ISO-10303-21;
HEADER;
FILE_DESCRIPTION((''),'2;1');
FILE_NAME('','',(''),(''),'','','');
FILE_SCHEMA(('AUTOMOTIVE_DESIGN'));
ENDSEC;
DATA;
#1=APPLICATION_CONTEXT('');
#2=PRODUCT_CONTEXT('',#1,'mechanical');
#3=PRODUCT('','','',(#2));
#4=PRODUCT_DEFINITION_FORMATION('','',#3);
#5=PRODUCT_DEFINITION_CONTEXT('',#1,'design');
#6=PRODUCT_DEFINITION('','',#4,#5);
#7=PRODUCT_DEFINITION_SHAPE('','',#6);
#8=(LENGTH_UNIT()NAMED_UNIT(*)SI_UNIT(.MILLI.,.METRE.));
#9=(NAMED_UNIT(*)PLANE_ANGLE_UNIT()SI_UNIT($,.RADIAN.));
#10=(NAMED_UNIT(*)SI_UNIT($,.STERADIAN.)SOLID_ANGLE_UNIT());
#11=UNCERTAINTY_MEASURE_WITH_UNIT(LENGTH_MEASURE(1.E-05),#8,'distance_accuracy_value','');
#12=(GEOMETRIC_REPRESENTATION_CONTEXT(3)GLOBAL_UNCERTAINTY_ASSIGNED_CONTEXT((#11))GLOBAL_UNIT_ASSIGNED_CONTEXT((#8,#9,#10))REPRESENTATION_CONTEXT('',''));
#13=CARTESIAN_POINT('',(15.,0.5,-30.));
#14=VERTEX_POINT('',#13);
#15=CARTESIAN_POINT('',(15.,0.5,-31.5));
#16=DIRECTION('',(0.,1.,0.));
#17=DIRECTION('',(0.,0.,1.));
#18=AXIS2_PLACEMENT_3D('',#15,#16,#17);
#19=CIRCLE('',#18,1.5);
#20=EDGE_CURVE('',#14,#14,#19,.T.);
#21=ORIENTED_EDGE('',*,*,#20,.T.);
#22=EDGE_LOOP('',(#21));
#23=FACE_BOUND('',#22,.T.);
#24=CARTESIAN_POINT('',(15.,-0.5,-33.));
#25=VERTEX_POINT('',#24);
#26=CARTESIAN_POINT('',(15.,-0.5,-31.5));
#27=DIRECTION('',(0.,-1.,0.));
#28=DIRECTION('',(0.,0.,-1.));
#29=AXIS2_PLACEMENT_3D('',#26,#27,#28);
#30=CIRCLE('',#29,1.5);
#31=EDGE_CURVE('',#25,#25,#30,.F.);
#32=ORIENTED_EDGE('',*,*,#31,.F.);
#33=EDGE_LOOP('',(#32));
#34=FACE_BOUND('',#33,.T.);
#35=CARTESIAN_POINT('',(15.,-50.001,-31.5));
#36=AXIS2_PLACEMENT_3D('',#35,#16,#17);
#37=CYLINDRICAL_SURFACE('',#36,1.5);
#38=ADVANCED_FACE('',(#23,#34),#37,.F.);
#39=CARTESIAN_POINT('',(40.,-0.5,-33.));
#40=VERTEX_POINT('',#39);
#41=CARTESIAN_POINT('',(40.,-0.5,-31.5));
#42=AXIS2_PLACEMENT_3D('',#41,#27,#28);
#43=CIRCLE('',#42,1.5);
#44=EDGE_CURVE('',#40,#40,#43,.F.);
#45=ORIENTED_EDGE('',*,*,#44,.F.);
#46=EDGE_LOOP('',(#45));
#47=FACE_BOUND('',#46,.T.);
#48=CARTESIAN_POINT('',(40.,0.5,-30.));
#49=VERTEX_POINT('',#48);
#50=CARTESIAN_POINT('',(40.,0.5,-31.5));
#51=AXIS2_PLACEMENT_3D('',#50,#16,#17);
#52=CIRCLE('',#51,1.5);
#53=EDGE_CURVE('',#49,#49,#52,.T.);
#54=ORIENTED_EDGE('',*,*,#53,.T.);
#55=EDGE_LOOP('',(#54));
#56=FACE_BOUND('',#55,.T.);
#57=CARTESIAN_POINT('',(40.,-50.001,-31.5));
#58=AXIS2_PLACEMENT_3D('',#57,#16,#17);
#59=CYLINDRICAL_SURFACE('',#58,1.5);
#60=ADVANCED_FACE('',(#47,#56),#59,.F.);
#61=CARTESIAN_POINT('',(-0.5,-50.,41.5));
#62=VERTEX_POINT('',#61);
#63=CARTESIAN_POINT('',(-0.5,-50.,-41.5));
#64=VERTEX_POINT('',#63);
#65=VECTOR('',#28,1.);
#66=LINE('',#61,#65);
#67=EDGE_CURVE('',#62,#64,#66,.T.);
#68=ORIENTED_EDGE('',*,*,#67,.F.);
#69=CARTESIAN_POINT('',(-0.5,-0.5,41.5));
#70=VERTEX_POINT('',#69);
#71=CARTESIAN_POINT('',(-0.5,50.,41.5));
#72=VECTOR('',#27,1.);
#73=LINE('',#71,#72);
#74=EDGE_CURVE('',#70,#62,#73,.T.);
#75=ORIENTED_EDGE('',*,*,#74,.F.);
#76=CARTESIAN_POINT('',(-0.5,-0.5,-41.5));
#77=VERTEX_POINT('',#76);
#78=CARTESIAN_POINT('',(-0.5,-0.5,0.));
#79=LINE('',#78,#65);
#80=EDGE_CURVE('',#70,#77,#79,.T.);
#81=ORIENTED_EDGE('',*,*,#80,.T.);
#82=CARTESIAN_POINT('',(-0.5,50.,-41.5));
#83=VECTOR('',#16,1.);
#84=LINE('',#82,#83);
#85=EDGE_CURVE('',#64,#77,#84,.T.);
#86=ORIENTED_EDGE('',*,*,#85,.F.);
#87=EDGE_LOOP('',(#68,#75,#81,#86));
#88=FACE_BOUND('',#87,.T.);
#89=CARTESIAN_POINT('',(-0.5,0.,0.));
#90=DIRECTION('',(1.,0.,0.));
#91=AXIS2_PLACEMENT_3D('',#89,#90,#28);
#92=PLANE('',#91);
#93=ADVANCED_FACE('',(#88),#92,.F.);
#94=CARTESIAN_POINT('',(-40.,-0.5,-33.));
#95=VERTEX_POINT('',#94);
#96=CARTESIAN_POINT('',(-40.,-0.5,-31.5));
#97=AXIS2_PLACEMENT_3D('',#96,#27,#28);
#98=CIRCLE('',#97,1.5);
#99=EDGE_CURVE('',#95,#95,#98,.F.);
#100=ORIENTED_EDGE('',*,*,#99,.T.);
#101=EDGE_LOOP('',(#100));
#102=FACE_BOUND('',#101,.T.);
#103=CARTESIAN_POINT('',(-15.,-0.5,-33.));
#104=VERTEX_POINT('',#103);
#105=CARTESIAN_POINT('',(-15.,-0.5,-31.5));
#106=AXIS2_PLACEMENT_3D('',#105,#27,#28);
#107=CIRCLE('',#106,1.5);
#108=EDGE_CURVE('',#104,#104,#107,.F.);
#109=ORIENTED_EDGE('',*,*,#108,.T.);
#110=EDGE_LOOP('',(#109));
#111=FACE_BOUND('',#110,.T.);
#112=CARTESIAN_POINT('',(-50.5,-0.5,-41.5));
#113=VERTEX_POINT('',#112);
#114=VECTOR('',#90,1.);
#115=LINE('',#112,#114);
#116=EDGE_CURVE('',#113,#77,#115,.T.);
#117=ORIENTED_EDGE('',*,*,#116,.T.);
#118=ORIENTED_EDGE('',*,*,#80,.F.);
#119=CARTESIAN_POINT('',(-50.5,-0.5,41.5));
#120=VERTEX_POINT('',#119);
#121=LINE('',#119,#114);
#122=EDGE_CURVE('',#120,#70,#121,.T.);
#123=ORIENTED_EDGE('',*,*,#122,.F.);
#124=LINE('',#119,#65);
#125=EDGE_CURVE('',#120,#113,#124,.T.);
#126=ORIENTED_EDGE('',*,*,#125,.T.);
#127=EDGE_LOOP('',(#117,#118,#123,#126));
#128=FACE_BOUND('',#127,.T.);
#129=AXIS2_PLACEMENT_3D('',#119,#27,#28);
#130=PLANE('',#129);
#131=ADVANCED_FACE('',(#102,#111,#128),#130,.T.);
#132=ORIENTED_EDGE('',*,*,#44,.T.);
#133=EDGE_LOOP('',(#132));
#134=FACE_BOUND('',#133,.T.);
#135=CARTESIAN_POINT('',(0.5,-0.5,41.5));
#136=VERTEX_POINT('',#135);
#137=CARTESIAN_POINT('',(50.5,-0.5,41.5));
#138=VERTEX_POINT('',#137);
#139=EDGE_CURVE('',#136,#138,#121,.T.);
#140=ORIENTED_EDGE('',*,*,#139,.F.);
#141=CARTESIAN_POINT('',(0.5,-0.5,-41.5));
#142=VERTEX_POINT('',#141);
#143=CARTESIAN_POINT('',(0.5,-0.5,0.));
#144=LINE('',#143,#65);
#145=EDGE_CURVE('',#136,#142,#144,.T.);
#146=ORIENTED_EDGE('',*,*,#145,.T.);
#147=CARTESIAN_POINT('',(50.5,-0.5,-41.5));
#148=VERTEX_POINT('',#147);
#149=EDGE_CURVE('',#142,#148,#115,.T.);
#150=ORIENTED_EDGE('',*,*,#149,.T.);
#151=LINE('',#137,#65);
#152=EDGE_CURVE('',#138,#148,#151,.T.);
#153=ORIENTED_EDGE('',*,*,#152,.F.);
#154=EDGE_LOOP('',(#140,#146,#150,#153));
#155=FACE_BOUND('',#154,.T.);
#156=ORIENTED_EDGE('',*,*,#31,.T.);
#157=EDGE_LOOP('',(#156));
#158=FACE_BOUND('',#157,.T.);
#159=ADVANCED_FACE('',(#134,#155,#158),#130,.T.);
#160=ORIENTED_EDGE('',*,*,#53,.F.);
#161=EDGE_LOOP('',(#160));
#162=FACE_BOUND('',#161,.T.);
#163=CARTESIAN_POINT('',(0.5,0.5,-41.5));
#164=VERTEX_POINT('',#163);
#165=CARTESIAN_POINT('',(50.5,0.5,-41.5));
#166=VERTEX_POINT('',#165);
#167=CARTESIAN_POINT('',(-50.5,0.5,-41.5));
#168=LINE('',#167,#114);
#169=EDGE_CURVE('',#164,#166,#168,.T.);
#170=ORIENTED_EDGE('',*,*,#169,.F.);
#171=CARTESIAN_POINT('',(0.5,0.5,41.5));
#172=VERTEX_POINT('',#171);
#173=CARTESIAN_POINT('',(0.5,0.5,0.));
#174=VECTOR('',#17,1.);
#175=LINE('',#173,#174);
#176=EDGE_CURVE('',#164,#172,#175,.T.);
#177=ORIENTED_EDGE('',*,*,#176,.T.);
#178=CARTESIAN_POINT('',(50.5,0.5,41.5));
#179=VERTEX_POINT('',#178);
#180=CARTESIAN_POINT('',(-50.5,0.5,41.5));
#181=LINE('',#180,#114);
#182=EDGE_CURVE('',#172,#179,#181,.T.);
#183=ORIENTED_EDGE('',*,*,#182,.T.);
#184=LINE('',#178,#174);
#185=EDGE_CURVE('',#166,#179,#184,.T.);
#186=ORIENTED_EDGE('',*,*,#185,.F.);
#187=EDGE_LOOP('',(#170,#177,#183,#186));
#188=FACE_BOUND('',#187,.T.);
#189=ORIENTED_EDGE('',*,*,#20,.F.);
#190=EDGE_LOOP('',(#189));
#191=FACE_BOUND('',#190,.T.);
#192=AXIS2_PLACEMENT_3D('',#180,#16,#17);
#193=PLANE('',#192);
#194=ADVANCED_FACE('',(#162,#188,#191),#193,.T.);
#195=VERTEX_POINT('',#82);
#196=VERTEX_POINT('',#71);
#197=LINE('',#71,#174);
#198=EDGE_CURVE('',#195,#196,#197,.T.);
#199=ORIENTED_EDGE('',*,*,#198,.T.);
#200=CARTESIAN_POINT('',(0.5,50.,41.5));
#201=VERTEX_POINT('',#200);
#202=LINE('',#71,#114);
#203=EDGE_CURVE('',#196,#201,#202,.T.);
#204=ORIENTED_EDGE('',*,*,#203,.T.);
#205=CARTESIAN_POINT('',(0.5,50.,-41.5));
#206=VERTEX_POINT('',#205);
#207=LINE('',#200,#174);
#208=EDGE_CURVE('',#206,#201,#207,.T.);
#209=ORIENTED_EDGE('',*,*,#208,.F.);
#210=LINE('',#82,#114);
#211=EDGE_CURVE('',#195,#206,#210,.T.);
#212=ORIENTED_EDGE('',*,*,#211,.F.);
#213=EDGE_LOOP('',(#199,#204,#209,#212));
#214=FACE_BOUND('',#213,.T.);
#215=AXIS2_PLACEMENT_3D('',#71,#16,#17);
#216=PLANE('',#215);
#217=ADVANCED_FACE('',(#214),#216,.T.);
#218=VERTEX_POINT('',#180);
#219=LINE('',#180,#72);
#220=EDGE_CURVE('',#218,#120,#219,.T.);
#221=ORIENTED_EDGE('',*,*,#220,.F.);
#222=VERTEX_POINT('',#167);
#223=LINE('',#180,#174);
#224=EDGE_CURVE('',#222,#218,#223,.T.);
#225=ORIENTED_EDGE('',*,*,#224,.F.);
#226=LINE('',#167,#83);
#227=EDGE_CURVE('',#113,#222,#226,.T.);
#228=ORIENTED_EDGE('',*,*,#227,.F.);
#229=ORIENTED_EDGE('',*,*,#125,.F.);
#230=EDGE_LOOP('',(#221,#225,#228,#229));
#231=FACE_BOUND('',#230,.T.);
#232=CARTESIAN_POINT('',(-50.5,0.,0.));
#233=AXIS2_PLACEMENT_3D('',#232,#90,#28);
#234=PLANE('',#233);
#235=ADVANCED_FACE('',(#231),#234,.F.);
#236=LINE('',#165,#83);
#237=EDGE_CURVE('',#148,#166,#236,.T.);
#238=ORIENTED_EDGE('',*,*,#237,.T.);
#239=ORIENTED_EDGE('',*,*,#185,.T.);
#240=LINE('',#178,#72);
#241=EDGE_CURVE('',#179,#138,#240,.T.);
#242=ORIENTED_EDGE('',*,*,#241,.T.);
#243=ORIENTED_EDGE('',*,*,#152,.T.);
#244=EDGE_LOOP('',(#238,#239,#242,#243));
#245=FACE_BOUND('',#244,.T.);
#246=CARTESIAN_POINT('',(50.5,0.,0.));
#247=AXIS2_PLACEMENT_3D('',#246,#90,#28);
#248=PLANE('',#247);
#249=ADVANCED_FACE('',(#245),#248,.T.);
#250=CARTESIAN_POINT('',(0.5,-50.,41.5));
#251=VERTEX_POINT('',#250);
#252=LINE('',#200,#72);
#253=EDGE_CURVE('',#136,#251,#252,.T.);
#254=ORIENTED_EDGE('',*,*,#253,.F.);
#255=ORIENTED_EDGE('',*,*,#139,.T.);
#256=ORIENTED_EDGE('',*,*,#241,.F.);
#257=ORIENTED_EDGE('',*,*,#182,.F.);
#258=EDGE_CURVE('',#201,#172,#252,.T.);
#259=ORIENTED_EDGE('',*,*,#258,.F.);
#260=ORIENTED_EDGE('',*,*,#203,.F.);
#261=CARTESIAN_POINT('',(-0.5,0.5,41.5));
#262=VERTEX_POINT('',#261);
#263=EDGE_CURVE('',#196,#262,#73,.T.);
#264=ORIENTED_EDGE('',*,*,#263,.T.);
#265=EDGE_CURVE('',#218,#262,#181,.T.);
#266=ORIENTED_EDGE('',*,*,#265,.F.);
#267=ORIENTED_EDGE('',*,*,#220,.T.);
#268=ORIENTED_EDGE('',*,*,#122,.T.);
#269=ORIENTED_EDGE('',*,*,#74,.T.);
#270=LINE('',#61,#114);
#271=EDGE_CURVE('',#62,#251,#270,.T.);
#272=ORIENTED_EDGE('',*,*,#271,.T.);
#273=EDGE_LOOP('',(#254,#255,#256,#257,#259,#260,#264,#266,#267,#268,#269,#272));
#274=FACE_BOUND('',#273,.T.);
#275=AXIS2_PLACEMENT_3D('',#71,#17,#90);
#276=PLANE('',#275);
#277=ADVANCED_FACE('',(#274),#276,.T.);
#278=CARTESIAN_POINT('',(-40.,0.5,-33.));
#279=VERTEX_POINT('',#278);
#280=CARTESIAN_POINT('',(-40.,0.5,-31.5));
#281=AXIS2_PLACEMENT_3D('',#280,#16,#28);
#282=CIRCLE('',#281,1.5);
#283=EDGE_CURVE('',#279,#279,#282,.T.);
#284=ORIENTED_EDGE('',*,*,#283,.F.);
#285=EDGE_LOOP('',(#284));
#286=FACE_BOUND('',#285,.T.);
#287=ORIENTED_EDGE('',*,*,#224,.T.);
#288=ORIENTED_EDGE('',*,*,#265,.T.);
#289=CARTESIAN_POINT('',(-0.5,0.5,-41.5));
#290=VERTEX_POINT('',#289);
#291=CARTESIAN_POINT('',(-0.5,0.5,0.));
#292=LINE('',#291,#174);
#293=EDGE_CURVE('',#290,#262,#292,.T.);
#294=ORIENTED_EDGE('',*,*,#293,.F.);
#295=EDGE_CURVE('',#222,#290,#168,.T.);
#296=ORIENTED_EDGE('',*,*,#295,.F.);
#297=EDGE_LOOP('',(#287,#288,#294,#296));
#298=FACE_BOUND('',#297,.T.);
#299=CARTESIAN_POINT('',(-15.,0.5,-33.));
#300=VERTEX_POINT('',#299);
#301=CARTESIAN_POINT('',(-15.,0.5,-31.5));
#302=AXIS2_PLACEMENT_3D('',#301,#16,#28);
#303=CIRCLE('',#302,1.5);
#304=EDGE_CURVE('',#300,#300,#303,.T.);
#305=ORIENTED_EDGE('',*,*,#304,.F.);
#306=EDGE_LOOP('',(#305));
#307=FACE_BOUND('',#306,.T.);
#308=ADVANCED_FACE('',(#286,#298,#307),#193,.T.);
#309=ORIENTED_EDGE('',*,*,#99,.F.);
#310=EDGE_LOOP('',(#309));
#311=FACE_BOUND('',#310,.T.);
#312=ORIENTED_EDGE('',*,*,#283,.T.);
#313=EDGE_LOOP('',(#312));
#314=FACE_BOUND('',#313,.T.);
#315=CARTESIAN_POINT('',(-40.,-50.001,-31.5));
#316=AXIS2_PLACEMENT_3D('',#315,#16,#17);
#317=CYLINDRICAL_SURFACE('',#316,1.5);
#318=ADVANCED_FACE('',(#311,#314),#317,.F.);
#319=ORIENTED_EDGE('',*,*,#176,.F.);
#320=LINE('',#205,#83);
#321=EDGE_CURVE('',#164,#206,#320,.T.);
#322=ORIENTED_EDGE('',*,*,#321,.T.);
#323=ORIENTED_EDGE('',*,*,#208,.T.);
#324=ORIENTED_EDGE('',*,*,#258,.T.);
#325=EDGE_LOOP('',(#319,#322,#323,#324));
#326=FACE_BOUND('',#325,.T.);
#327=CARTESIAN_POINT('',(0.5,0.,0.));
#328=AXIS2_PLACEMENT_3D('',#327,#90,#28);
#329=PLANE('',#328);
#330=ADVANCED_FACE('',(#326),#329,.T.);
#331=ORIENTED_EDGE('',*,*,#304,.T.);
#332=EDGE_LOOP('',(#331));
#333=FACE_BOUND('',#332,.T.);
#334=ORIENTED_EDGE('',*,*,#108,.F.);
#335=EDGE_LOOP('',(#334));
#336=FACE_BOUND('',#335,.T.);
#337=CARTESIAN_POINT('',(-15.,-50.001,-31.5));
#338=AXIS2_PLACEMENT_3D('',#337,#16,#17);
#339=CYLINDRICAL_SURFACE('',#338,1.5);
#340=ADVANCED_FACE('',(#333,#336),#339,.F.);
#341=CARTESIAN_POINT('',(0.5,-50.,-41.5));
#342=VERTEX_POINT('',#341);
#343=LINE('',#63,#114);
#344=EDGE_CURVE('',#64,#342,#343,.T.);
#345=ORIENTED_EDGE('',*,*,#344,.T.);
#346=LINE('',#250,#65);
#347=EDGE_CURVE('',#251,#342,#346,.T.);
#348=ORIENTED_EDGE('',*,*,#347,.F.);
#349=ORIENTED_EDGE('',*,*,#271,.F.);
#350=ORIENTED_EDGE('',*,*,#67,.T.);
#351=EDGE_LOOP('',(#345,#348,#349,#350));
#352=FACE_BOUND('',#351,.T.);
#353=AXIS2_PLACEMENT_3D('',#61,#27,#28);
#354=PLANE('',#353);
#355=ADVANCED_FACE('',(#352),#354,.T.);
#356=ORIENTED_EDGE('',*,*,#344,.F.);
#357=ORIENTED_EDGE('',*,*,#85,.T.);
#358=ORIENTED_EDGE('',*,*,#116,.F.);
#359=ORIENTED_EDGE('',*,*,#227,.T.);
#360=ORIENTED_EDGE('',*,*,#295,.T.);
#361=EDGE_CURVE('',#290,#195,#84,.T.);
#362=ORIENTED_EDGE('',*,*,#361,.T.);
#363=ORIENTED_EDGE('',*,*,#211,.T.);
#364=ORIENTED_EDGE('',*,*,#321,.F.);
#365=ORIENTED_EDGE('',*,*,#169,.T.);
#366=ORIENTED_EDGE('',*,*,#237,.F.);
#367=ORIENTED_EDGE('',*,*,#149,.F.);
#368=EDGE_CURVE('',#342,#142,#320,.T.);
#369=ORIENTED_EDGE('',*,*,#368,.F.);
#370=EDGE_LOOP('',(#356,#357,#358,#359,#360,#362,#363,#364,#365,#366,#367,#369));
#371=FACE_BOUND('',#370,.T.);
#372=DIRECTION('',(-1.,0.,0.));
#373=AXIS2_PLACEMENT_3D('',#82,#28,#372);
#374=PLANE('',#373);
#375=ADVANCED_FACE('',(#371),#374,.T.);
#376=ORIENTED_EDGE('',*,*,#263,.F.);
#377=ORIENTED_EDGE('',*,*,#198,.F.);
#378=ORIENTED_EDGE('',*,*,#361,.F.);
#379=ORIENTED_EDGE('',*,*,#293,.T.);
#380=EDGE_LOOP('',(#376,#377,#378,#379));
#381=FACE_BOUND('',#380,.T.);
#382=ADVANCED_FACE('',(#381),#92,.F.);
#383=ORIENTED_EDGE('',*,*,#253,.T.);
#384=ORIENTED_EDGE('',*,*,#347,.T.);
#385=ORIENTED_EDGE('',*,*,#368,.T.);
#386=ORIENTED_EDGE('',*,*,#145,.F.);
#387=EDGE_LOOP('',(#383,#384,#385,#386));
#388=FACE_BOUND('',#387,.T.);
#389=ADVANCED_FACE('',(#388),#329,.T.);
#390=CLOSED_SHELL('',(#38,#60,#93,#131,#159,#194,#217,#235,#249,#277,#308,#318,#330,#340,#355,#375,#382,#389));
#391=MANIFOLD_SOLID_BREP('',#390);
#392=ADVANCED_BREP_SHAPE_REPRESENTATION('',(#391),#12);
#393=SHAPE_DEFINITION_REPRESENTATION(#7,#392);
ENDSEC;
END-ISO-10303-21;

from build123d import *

# Parameters (mm, degrees)
BOSS_EXTRUDE1_DEPTH      = 0.5
BOSS_EXTRUDE1_DEPTH_BACK = 0.5
SKETCH1_W                = 83
SKETCH1_H                = 100
BOSS_EXTRUDE2_DEPTH      = 50
BOSS_EXTRUDE2_DEPTH_BACK = 51
SKETCH2_W                = 83
SKETCH2_H                = 1
CUT_EXTRUDE1_REACH       = 84.6
SKETCH3_R                = 1.5


with BuildPart() as part:
    # Sketch1 → Boss-Extrude1 (new, two sides: drawn at the far end of the back side and taken through both)
    with BuildSketch(Plane(origin=(0, 0, 0), x_dir=(0, 0, -1), z_dir=(1, 0, 0)).offset(-BOSS_EXTRUDE1_DEPTH_BACK)):
        Rectangle(SKETCH1_W, SKETCH1_H)
    extrude(amount=BOSS_EXTRUDE1_DEPTH + BOSS_EXTRUDE1_DEPTH_BACK)

    # Sketch2 → Boss-Extrude2 (add, two sides: drawn at the far end of the back side and taken through both)
    with BuildSketch(Plane(origin=(0.5, 0, 0), x_dir=(0, 0, -1), z_dir=(1, 0, 0)).offset(-BOSS_EXTRUDE2_DEPTH_BACK)):
        Rectangle(SKETCH2_W, SKETCH2_H)
    extrude(amount=BOSS_EXTRUDE2_DEPTH + BOSS_EXTRUDE2_DEPTH_BACK)

    # Sketch3 → Cut-Extrude1 (cut, up to next)
    with BuildSketch(Plane(origin=(0, 0.5, 0), x_dir=(1, 0, 0), z_dir=(0, 1, 0)), mode=Mode.PRIVATE) as cut_extrude1_sk1:
        with Locations((15, 31.5)):
            Circle(SKETCH3_R)
    cut_extrude1_tool1 = extrude(cut_extrude1_sk1.sketch, amount=-CUT_EXTRUDE1_REACH, mode=Mode.PRIVATE) & part.part
    # Sketch3 → Cut-Extrude1 (cut, up to next)
    with BuildSketch(Plane(origin=(0, 0.5, 0), x_dir=(1, 0, 0), z_dir=(0, 1, 0)), mode=Mode.PRIVATE) as cut_extrude1_sk2:
        with Locations((40, 31.5)):
            Circle(SKETCH3_R)
    cut_extrude1_tool2 = extrude(cut_extrude1_sk2.sketch, amount=-CUT_EXTRUDE1_REACH, mode=Mode.PRIVATE) & part.part
    # Sketch3 → Cut-Extrude1 (cut, up to next)
    with BuildSketch(Plane(origin=(0, 0.5, 0), x_dir=(1, 0, 0), z_dir=(0, 1, 0)), mode=Mode.PRIVATE) as cut_extrude1_sk3:
        with Locations((-40, 31.5)):
            Circle(SKETCH3_R)
    cut_extrude1_tool3 = extrude(cut_extrude1_sk3.sketch, amount=-CUT_EXTRUDE1_REACH, mode=Mode.PRIVATE) & part.part
    # Sketch3 → Cut-Extrude1 (cut, up to next)
    with BuildSketch(Plane(origin=(0, 0.5, 0), x_dir=(1, 0, 0), z_dir=(0, 1, 0)), mode=Mode.PRIVATE) as cut_extrude1_sk4:
        with Locations((-15, 31.5)):
            Circle(SKETCH3_R)
    cut_extrude1_tool4 = extrude(cut_extrude1_sk4.sketch, amount=-CUT_EXTRUDE1_REACH, mode=Mode.PRIVATE) & part.part
    add(cut_extrude1_tool1.solids().sort_by_distance((15, 0.5, -31.5))[0], mode=Mode.SUBTRACT)
    add(cut_extrude1_tool2.solids().sort_by_distance((40, 0.5, -31.5))[0], mode=Mode.SUBTRACT)
    add(cut_extrude1_tool3.solids().sort_by_distance((-40, 0.5, -31.5))[0], mode=Mode.SUBTRACT)
    add(cut_extrude1_tool4.solids().sort_by_distance((-15, 0.5, -31.5))[0], mode=Mode.SUBTRACT)


solid = part.part
